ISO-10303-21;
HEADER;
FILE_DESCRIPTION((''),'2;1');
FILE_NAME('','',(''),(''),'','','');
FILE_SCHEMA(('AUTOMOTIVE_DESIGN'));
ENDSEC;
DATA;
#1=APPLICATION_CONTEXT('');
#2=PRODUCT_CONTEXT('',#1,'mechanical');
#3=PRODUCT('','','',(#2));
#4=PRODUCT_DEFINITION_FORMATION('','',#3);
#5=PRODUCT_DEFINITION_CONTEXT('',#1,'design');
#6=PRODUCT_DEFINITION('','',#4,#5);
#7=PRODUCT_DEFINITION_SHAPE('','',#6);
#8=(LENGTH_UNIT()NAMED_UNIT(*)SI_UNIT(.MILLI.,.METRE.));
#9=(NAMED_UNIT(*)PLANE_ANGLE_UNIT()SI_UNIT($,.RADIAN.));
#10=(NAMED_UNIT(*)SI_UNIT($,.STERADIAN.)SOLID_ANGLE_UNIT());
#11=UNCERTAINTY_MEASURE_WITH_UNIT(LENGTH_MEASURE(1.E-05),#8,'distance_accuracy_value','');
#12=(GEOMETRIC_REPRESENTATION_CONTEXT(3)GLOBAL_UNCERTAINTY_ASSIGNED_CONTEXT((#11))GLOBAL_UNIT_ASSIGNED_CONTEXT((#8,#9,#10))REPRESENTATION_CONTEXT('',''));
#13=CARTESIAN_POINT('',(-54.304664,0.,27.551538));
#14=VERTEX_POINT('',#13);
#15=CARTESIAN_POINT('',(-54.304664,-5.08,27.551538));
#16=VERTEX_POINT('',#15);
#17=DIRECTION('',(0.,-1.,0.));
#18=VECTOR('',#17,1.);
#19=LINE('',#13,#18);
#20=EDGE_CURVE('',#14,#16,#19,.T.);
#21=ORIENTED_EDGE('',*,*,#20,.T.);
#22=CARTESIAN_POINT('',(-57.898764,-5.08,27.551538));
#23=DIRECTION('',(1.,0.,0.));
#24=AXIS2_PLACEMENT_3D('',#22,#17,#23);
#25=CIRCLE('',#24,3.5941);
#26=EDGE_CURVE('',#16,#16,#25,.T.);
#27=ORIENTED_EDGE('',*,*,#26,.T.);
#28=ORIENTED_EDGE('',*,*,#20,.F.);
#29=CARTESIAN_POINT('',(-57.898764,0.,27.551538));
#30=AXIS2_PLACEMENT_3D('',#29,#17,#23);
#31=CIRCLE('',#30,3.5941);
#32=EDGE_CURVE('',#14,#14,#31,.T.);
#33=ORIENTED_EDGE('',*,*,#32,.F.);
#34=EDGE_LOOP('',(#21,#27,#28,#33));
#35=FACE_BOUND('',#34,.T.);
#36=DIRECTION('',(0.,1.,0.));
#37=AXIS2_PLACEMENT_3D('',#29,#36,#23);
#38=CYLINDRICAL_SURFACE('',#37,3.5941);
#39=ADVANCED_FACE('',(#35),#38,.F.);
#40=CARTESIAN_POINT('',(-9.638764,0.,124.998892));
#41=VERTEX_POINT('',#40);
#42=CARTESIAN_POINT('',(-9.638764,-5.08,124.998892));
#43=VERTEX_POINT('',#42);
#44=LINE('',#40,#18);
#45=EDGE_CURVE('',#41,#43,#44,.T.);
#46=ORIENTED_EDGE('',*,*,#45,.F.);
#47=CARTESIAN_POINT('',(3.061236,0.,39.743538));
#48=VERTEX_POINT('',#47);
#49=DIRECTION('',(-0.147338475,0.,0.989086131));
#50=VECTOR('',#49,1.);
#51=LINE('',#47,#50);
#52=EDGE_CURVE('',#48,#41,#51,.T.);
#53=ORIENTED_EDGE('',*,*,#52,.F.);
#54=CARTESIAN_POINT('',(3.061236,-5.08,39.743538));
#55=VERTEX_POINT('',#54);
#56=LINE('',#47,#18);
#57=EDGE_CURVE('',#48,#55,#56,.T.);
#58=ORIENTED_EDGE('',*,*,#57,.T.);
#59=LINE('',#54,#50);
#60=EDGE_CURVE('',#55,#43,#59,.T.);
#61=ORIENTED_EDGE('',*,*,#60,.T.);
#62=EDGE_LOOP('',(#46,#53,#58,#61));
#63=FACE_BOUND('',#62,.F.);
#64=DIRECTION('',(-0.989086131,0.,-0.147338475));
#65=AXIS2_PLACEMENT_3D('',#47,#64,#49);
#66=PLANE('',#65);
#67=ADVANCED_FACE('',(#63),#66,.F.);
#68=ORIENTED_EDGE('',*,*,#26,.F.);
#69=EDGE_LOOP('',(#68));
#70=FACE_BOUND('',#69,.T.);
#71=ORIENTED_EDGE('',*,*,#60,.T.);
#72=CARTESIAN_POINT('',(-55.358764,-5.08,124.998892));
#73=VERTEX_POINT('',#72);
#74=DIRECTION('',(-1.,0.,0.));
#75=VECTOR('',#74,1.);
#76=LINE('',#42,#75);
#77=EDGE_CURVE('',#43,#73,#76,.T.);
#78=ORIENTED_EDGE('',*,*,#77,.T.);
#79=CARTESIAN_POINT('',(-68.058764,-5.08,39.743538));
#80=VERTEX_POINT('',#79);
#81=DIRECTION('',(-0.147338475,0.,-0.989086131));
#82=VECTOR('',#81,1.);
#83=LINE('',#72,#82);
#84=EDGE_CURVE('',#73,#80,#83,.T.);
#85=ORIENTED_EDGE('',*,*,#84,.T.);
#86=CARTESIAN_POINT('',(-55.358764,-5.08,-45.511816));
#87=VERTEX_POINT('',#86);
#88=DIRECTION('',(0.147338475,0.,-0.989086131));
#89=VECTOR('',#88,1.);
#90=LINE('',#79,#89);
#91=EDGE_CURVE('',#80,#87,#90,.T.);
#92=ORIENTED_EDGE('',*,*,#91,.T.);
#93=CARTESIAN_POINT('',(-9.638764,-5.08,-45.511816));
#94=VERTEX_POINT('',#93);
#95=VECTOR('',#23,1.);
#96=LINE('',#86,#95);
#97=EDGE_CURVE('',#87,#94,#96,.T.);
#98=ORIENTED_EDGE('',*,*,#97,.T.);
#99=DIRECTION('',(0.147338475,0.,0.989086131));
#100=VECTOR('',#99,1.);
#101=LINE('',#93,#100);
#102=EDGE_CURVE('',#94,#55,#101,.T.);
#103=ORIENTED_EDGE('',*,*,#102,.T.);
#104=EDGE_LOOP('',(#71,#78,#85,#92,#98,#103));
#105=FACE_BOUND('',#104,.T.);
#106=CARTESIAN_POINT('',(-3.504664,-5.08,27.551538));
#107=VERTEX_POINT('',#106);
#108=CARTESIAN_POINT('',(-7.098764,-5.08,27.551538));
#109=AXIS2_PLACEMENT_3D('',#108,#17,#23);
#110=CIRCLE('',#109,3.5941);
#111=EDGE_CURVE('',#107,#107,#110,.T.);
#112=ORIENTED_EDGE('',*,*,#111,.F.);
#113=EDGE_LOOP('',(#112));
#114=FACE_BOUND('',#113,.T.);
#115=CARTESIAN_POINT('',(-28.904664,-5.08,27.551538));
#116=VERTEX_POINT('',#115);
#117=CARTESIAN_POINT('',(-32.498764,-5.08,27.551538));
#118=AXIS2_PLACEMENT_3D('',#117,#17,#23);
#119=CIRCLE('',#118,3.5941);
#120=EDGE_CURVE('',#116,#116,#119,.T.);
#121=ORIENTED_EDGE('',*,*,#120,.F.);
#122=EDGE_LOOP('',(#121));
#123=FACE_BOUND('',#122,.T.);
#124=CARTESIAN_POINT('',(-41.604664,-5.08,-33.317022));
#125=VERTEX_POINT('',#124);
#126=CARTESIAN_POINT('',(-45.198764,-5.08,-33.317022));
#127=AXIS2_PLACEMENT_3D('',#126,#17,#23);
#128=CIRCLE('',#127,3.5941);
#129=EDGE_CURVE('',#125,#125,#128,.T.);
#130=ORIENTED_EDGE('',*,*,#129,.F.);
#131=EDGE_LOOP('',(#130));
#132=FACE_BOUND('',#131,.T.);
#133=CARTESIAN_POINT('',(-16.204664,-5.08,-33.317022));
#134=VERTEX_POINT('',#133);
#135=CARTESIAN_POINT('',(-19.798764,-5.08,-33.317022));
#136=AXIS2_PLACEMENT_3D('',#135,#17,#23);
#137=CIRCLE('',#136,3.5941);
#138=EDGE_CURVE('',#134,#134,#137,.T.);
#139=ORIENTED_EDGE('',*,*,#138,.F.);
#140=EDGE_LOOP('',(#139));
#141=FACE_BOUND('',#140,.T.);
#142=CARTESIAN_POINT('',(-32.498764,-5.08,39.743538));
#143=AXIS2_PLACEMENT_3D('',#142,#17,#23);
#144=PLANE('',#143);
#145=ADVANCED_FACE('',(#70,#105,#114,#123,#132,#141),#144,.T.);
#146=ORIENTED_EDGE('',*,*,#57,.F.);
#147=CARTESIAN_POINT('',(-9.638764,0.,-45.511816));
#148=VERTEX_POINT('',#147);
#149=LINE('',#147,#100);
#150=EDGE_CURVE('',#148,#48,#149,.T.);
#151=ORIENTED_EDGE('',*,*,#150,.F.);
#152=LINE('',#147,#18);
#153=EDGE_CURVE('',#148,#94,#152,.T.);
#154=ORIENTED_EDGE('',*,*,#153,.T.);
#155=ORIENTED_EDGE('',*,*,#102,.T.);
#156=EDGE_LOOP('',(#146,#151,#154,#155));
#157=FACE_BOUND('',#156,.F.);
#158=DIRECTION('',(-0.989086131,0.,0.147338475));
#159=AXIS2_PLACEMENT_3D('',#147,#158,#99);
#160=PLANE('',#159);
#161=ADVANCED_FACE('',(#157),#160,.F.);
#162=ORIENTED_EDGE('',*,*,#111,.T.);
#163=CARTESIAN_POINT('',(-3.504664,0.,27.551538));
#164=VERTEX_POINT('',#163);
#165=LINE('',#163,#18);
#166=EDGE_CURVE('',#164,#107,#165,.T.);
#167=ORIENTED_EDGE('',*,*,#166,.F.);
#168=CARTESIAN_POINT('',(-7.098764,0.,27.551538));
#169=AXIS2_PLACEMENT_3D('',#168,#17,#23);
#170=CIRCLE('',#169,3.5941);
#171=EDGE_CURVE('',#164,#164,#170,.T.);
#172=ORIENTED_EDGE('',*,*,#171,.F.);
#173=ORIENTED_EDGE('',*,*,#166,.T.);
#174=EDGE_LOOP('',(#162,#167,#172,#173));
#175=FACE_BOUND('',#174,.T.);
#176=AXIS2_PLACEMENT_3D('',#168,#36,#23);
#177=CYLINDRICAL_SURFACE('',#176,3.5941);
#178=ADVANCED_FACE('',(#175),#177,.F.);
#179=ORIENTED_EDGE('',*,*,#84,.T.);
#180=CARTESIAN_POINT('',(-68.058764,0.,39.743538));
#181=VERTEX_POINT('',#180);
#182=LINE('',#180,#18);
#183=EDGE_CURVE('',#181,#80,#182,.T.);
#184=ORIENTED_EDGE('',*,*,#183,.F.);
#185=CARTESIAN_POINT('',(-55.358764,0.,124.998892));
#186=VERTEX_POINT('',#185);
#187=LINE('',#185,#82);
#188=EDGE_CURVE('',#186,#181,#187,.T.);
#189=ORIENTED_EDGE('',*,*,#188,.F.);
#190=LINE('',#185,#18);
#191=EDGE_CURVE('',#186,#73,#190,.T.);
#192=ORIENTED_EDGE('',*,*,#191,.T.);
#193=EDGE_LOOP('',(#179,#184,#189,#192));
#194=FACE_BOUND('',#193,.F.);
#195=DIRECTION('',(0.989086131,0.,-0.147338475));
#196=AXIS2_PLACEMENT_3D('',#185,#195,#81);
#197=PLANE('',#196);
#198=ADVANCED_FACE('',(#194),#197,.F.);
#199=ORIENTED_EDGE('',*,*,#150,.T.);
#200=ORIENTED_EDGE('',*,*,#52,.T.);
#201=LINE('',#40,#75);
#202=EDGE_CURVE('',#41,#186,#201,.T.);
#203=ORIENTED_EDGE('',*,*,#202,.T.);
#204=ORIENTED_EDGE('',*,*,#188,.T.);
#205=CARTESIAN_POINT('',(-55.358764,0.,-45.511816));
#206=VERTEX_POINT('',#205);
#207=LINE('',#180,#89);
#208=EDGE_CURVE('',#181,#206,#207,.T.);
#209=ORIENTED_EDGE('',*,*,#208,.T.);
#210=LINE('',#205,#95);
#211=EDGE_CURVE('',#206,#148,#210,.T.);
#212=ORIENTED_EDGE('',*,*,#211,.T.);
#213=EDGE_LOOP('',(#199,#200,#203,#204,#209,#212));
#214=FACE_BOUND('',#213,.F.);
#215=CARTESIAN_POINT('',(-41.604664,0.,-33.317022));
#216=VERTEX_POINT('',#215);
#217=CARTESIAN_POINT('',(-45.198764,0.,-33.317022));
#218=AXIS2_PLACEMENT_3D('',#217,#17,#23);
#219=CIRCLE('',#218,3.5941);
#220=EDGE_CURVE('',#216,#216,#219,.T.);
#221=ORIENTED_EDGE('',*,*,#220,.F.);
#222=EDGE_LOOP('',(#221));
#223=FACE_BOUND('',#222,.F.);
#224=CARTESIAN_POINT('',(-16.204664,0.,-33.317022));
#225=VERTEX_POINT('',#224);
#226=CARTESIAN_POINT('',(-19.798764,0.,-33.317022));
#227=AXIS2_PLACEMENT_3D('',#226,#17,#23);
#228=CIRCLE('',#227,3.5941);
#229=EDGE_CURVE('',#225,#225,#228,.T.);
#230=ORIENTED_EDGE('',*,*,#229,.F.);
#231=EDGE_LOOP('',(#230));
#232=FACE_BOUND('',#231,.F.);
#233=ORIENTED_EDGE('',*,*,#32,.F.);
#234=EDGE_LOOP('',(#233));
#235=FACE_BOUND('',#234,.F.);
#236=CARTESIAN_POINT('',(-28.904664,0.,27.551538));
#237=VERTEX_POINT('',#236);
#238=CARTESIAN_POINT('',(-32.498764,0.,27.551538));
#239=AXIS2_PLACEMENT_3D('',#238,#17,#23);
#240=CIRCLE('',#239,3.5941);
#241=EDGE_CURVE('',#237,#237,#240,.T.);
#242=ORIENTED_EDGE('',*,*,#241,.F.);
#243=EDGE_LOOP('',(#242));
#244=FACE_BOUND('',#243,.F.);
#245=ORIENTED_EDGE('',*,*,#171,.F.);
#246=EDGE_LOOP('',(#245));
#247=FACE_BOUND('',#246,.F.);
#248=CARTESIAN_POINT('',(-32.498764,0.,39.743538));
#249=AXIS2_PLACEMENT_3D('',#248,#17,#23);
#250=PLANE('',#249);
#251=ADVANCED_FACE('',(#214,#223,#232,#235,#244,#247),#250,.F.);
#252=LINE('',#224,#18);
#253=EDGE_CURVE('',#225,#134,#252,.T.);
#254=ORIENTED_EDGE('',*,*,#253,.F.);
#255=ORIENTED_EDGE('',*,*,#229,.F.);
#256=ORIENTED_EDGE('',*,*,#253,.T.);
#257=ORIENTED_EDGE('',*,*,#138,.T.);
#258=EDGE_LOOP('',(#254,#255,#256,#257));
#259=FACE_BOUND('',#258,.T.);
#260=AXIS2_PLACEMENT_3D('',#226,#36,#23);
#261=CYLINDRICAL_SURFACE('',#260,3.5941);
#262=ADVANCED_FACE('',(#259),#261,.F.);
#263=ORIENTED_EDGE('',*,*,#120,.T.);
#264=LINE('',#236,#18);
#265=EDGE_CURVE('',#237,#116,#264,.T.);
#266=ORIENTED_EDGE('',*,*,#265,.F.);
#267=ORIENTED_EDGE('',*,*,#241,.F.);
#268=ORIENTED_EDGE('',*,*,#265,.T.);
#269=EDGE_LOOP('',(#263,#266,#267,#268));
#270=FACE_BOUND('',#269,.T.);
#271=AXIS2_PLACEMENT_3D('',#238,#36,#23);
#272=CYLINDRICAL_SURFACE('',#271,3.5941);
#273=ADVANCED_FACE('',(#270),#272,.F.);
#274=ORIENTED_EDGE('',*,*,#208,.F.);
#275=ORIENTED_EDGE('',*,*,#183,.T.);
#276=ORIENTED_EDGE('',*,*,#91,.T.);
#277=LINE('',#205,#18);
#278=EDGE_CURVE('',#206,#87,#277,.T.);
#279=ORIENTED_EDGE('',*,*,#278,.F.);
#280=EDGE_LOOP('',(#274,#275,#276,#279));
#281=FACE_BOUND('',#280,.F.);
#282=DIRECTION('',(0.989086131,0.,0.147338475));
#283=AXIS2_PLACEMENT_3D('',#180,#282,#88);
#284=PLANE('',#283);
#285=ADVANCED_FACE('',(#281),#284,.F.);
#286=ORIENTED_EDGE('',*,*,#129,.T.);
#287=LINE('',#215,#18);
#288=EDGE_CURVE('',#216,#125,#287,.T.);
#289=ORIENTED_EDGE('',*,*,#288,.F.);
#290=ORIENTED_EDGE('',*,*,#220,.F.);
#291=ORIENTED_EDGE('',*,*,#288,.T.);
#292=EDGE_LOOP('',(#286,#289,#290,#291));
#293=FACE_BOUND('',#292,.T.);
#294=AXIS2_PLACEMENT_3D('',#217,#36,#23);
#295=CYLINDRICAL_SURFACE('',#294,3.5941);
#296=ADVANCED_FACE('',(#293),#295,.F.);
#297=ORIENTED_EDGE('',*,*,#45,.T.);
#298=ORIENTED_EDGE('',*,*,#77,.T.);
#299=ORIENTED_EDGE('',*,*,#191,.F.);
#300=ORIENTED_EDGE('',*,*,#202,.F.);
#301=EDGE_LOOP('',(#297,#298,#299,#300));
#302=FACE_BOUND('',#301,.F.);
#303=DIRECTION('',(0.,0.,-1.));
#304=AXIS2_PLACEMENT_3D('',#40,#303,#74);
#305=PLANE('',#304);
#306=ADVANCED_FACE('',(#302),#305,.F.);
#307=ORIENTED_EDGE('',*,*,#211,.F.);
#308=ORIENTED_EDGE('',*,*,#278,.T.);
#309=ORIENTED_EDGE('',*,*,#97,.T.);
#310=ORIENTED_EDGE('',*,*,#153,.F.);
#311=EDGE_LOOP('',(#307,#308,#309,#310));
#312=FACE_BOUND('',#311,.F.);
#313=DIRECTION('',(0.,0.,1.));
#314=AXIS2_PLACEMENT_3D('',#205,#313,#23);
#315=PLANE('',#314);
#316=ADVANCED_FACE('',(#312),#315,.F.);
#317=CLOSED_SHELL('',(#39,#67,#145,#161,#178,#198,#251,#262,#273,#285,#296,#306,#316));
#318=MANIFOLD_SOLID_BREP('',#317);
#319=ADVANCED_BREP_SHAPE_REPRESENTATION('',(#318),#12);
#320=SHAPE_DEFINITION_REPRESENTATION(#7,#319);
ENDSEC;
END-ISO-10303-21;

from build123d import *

# Parameters (mm, degrees)
F0_R     = 3.5941
F1_DEPTH = 5.08


with BuildPart() as f1:
    # F0 (on Front) → F1 (new body)
    with BuildSketch(Plane.XZ):
        Polygon((-55.358764, -45.511816), (-45.198764, -45.511816), (-19.798764, -45.511816), (-9.638764, -45.511816), (3.061236, 39.743538), (-9.638764, 124.998892), (-19.798764, 124.998892), (-45.198764, 124.998892), (-55.358764, 124.998892), (-68.058764, 39.743538), align=None)
        with Locations((-45.198764, -33.317022)):
            Circle(F0_R, mode=Mode.SUBTRACT)
        with Locations((-57.898764, 27.551538)):
            Circle(F0_R, mode=Mode.SUBTRACT)
        with Locations((-19.798764, -33.317022)):
            Circle(F0_R, mode=Mode.SUBTRACT)
        with Locations((-32.498764, 27.551538)):
            Circle(F0_R, mode=Mode.SUBTRACT)
        with Locations((-7.098764, 27.551538)):
            Circle(F0_R, mode=Mode.SUBTRACT)
    extrude(amount=F1_DEPTH)


solid = f1.part
